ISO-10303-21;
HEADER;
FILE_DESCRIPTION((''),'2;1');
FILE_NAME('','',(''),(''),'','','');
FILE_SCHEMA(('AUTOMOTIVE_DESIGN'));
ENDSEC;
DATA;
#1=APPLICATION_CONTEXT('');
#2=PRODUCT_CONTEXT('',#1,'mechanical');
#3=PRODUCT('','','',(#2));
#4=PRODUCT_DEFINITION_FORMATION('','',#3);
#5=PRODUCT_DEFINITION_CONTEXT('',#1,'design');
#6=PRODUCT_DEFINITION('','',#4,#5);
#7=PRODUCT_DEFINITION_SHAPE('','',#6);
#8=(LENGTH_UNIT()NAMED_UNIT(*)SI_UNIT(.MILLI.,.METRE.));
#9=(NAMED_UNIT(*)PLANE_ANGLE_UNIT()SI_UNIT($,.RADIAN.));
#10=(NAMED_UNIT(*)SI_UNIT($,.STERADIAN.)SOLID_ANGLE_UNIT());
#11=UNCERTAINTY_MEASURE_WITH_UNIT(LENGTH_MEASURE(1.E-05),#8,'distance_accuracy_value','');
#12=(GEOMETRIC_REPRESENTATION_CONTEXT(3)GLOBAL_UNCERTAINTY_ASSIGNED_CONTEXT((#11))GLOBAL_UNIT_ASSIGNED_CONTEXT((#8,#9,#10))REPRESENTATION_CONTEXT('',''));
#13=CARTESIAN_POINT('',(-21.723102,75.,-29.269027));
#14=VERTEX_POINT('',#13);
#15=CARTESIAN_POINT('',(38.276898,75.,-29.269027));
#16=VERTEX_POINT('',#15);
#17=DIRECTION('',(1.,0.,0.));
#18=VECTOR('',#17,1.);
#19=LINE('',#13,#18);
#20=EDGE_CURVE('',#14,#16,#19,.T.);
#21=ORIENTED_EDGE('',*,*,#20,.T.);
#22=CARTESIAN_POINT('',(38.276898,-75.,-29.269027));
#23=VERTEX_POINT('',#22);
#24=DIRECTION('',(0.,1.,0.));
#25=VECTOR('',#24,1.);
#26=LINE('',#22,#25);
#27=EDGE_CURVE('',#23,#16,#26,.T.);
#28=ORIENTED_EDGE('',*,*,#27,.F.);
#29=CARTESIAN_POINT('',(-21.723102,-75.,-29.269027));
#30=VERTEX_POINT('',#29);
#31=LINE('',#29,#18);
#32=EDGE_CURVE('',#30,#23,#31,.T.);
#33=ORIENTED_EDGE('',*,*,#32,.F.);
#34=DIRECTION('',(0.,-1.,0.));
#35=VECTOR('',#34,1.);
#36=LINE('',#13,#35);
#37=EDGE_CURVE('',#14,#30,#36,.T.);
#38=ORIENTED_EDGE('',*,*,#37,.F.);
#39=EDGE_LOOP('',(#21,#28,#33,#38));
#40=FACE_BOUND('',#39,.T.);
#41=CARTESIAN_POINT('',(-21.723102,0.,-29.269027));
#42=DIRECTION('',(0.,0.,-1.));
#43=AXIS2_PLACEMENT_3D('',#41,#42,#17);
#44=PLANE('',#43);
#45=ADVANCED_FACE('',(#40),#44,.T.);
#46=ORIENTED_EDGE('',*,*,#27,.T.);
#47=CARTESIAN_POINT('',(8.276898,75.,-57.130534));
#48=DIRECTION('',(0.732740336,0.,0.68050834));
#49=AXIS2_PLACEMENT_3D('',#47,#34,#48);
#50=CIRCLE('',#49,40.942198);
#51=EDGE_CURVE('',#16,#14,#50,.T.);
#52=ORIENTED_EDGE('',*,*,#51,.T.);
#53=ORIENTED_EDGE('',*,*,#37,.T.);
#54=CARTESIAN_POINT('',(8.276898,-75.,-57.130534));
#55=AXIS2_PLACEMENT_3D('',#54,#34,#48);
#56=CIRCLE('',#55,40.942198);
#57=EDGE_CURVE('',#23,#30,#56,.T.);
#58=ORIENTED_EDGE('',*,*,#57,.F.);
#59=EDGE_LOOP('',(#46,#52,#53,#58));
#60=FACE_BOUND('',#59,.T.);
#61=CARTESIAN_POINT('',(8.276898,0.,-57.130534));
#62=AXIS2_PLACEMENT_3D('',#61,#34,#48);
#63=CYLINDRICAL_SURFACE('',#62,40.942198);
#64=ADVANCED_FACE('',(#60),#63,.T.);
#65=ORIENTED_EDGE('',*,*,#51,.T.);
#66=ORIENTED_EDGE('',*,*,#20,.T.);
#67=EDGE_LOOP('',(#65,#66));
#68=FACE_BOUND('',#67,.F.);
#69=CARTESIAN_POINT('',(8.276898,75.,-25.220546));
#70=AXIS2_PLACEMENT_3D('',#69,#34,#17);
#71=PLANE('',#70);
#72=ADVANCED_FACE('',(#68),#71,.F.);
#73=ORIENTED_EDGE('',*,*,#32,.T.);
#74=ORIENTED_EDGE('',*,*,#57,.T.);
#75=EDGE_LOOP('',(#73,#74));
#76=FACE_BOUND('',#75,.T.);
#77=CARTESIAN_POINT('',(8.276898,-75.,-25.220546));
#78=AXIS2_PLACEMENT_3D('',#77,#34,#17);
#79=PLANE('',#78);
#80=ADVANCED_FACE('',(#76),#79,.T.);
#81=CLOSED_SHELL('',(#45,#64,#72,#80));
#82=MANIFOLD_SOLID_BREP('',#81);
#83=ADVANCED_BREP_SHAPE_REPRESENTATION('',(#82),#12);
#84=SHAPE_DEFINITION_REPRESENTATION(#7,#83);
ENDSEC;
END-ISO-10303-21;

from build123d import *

# Parameters (mm, degrees)
F1_DEPTH = 75


with BuildPart() as f1:
    # F0 (on Front) → F1 (new body, symmetric)
    with BuildSketch(Plane.XZ):
        with BuildLine():
            ThreePointArc((38.2768984139, -29.2690265924), (8.2768984139, -16.1883357414), (-21.7231015861, -29.2690265924))
            Line((-21.7231015861, -29.2690265924), (38.2768984139, -29.2690265924))
        make_face()
    extrude(amount=F1_DEPTH, both=True)


solid = f1.part
